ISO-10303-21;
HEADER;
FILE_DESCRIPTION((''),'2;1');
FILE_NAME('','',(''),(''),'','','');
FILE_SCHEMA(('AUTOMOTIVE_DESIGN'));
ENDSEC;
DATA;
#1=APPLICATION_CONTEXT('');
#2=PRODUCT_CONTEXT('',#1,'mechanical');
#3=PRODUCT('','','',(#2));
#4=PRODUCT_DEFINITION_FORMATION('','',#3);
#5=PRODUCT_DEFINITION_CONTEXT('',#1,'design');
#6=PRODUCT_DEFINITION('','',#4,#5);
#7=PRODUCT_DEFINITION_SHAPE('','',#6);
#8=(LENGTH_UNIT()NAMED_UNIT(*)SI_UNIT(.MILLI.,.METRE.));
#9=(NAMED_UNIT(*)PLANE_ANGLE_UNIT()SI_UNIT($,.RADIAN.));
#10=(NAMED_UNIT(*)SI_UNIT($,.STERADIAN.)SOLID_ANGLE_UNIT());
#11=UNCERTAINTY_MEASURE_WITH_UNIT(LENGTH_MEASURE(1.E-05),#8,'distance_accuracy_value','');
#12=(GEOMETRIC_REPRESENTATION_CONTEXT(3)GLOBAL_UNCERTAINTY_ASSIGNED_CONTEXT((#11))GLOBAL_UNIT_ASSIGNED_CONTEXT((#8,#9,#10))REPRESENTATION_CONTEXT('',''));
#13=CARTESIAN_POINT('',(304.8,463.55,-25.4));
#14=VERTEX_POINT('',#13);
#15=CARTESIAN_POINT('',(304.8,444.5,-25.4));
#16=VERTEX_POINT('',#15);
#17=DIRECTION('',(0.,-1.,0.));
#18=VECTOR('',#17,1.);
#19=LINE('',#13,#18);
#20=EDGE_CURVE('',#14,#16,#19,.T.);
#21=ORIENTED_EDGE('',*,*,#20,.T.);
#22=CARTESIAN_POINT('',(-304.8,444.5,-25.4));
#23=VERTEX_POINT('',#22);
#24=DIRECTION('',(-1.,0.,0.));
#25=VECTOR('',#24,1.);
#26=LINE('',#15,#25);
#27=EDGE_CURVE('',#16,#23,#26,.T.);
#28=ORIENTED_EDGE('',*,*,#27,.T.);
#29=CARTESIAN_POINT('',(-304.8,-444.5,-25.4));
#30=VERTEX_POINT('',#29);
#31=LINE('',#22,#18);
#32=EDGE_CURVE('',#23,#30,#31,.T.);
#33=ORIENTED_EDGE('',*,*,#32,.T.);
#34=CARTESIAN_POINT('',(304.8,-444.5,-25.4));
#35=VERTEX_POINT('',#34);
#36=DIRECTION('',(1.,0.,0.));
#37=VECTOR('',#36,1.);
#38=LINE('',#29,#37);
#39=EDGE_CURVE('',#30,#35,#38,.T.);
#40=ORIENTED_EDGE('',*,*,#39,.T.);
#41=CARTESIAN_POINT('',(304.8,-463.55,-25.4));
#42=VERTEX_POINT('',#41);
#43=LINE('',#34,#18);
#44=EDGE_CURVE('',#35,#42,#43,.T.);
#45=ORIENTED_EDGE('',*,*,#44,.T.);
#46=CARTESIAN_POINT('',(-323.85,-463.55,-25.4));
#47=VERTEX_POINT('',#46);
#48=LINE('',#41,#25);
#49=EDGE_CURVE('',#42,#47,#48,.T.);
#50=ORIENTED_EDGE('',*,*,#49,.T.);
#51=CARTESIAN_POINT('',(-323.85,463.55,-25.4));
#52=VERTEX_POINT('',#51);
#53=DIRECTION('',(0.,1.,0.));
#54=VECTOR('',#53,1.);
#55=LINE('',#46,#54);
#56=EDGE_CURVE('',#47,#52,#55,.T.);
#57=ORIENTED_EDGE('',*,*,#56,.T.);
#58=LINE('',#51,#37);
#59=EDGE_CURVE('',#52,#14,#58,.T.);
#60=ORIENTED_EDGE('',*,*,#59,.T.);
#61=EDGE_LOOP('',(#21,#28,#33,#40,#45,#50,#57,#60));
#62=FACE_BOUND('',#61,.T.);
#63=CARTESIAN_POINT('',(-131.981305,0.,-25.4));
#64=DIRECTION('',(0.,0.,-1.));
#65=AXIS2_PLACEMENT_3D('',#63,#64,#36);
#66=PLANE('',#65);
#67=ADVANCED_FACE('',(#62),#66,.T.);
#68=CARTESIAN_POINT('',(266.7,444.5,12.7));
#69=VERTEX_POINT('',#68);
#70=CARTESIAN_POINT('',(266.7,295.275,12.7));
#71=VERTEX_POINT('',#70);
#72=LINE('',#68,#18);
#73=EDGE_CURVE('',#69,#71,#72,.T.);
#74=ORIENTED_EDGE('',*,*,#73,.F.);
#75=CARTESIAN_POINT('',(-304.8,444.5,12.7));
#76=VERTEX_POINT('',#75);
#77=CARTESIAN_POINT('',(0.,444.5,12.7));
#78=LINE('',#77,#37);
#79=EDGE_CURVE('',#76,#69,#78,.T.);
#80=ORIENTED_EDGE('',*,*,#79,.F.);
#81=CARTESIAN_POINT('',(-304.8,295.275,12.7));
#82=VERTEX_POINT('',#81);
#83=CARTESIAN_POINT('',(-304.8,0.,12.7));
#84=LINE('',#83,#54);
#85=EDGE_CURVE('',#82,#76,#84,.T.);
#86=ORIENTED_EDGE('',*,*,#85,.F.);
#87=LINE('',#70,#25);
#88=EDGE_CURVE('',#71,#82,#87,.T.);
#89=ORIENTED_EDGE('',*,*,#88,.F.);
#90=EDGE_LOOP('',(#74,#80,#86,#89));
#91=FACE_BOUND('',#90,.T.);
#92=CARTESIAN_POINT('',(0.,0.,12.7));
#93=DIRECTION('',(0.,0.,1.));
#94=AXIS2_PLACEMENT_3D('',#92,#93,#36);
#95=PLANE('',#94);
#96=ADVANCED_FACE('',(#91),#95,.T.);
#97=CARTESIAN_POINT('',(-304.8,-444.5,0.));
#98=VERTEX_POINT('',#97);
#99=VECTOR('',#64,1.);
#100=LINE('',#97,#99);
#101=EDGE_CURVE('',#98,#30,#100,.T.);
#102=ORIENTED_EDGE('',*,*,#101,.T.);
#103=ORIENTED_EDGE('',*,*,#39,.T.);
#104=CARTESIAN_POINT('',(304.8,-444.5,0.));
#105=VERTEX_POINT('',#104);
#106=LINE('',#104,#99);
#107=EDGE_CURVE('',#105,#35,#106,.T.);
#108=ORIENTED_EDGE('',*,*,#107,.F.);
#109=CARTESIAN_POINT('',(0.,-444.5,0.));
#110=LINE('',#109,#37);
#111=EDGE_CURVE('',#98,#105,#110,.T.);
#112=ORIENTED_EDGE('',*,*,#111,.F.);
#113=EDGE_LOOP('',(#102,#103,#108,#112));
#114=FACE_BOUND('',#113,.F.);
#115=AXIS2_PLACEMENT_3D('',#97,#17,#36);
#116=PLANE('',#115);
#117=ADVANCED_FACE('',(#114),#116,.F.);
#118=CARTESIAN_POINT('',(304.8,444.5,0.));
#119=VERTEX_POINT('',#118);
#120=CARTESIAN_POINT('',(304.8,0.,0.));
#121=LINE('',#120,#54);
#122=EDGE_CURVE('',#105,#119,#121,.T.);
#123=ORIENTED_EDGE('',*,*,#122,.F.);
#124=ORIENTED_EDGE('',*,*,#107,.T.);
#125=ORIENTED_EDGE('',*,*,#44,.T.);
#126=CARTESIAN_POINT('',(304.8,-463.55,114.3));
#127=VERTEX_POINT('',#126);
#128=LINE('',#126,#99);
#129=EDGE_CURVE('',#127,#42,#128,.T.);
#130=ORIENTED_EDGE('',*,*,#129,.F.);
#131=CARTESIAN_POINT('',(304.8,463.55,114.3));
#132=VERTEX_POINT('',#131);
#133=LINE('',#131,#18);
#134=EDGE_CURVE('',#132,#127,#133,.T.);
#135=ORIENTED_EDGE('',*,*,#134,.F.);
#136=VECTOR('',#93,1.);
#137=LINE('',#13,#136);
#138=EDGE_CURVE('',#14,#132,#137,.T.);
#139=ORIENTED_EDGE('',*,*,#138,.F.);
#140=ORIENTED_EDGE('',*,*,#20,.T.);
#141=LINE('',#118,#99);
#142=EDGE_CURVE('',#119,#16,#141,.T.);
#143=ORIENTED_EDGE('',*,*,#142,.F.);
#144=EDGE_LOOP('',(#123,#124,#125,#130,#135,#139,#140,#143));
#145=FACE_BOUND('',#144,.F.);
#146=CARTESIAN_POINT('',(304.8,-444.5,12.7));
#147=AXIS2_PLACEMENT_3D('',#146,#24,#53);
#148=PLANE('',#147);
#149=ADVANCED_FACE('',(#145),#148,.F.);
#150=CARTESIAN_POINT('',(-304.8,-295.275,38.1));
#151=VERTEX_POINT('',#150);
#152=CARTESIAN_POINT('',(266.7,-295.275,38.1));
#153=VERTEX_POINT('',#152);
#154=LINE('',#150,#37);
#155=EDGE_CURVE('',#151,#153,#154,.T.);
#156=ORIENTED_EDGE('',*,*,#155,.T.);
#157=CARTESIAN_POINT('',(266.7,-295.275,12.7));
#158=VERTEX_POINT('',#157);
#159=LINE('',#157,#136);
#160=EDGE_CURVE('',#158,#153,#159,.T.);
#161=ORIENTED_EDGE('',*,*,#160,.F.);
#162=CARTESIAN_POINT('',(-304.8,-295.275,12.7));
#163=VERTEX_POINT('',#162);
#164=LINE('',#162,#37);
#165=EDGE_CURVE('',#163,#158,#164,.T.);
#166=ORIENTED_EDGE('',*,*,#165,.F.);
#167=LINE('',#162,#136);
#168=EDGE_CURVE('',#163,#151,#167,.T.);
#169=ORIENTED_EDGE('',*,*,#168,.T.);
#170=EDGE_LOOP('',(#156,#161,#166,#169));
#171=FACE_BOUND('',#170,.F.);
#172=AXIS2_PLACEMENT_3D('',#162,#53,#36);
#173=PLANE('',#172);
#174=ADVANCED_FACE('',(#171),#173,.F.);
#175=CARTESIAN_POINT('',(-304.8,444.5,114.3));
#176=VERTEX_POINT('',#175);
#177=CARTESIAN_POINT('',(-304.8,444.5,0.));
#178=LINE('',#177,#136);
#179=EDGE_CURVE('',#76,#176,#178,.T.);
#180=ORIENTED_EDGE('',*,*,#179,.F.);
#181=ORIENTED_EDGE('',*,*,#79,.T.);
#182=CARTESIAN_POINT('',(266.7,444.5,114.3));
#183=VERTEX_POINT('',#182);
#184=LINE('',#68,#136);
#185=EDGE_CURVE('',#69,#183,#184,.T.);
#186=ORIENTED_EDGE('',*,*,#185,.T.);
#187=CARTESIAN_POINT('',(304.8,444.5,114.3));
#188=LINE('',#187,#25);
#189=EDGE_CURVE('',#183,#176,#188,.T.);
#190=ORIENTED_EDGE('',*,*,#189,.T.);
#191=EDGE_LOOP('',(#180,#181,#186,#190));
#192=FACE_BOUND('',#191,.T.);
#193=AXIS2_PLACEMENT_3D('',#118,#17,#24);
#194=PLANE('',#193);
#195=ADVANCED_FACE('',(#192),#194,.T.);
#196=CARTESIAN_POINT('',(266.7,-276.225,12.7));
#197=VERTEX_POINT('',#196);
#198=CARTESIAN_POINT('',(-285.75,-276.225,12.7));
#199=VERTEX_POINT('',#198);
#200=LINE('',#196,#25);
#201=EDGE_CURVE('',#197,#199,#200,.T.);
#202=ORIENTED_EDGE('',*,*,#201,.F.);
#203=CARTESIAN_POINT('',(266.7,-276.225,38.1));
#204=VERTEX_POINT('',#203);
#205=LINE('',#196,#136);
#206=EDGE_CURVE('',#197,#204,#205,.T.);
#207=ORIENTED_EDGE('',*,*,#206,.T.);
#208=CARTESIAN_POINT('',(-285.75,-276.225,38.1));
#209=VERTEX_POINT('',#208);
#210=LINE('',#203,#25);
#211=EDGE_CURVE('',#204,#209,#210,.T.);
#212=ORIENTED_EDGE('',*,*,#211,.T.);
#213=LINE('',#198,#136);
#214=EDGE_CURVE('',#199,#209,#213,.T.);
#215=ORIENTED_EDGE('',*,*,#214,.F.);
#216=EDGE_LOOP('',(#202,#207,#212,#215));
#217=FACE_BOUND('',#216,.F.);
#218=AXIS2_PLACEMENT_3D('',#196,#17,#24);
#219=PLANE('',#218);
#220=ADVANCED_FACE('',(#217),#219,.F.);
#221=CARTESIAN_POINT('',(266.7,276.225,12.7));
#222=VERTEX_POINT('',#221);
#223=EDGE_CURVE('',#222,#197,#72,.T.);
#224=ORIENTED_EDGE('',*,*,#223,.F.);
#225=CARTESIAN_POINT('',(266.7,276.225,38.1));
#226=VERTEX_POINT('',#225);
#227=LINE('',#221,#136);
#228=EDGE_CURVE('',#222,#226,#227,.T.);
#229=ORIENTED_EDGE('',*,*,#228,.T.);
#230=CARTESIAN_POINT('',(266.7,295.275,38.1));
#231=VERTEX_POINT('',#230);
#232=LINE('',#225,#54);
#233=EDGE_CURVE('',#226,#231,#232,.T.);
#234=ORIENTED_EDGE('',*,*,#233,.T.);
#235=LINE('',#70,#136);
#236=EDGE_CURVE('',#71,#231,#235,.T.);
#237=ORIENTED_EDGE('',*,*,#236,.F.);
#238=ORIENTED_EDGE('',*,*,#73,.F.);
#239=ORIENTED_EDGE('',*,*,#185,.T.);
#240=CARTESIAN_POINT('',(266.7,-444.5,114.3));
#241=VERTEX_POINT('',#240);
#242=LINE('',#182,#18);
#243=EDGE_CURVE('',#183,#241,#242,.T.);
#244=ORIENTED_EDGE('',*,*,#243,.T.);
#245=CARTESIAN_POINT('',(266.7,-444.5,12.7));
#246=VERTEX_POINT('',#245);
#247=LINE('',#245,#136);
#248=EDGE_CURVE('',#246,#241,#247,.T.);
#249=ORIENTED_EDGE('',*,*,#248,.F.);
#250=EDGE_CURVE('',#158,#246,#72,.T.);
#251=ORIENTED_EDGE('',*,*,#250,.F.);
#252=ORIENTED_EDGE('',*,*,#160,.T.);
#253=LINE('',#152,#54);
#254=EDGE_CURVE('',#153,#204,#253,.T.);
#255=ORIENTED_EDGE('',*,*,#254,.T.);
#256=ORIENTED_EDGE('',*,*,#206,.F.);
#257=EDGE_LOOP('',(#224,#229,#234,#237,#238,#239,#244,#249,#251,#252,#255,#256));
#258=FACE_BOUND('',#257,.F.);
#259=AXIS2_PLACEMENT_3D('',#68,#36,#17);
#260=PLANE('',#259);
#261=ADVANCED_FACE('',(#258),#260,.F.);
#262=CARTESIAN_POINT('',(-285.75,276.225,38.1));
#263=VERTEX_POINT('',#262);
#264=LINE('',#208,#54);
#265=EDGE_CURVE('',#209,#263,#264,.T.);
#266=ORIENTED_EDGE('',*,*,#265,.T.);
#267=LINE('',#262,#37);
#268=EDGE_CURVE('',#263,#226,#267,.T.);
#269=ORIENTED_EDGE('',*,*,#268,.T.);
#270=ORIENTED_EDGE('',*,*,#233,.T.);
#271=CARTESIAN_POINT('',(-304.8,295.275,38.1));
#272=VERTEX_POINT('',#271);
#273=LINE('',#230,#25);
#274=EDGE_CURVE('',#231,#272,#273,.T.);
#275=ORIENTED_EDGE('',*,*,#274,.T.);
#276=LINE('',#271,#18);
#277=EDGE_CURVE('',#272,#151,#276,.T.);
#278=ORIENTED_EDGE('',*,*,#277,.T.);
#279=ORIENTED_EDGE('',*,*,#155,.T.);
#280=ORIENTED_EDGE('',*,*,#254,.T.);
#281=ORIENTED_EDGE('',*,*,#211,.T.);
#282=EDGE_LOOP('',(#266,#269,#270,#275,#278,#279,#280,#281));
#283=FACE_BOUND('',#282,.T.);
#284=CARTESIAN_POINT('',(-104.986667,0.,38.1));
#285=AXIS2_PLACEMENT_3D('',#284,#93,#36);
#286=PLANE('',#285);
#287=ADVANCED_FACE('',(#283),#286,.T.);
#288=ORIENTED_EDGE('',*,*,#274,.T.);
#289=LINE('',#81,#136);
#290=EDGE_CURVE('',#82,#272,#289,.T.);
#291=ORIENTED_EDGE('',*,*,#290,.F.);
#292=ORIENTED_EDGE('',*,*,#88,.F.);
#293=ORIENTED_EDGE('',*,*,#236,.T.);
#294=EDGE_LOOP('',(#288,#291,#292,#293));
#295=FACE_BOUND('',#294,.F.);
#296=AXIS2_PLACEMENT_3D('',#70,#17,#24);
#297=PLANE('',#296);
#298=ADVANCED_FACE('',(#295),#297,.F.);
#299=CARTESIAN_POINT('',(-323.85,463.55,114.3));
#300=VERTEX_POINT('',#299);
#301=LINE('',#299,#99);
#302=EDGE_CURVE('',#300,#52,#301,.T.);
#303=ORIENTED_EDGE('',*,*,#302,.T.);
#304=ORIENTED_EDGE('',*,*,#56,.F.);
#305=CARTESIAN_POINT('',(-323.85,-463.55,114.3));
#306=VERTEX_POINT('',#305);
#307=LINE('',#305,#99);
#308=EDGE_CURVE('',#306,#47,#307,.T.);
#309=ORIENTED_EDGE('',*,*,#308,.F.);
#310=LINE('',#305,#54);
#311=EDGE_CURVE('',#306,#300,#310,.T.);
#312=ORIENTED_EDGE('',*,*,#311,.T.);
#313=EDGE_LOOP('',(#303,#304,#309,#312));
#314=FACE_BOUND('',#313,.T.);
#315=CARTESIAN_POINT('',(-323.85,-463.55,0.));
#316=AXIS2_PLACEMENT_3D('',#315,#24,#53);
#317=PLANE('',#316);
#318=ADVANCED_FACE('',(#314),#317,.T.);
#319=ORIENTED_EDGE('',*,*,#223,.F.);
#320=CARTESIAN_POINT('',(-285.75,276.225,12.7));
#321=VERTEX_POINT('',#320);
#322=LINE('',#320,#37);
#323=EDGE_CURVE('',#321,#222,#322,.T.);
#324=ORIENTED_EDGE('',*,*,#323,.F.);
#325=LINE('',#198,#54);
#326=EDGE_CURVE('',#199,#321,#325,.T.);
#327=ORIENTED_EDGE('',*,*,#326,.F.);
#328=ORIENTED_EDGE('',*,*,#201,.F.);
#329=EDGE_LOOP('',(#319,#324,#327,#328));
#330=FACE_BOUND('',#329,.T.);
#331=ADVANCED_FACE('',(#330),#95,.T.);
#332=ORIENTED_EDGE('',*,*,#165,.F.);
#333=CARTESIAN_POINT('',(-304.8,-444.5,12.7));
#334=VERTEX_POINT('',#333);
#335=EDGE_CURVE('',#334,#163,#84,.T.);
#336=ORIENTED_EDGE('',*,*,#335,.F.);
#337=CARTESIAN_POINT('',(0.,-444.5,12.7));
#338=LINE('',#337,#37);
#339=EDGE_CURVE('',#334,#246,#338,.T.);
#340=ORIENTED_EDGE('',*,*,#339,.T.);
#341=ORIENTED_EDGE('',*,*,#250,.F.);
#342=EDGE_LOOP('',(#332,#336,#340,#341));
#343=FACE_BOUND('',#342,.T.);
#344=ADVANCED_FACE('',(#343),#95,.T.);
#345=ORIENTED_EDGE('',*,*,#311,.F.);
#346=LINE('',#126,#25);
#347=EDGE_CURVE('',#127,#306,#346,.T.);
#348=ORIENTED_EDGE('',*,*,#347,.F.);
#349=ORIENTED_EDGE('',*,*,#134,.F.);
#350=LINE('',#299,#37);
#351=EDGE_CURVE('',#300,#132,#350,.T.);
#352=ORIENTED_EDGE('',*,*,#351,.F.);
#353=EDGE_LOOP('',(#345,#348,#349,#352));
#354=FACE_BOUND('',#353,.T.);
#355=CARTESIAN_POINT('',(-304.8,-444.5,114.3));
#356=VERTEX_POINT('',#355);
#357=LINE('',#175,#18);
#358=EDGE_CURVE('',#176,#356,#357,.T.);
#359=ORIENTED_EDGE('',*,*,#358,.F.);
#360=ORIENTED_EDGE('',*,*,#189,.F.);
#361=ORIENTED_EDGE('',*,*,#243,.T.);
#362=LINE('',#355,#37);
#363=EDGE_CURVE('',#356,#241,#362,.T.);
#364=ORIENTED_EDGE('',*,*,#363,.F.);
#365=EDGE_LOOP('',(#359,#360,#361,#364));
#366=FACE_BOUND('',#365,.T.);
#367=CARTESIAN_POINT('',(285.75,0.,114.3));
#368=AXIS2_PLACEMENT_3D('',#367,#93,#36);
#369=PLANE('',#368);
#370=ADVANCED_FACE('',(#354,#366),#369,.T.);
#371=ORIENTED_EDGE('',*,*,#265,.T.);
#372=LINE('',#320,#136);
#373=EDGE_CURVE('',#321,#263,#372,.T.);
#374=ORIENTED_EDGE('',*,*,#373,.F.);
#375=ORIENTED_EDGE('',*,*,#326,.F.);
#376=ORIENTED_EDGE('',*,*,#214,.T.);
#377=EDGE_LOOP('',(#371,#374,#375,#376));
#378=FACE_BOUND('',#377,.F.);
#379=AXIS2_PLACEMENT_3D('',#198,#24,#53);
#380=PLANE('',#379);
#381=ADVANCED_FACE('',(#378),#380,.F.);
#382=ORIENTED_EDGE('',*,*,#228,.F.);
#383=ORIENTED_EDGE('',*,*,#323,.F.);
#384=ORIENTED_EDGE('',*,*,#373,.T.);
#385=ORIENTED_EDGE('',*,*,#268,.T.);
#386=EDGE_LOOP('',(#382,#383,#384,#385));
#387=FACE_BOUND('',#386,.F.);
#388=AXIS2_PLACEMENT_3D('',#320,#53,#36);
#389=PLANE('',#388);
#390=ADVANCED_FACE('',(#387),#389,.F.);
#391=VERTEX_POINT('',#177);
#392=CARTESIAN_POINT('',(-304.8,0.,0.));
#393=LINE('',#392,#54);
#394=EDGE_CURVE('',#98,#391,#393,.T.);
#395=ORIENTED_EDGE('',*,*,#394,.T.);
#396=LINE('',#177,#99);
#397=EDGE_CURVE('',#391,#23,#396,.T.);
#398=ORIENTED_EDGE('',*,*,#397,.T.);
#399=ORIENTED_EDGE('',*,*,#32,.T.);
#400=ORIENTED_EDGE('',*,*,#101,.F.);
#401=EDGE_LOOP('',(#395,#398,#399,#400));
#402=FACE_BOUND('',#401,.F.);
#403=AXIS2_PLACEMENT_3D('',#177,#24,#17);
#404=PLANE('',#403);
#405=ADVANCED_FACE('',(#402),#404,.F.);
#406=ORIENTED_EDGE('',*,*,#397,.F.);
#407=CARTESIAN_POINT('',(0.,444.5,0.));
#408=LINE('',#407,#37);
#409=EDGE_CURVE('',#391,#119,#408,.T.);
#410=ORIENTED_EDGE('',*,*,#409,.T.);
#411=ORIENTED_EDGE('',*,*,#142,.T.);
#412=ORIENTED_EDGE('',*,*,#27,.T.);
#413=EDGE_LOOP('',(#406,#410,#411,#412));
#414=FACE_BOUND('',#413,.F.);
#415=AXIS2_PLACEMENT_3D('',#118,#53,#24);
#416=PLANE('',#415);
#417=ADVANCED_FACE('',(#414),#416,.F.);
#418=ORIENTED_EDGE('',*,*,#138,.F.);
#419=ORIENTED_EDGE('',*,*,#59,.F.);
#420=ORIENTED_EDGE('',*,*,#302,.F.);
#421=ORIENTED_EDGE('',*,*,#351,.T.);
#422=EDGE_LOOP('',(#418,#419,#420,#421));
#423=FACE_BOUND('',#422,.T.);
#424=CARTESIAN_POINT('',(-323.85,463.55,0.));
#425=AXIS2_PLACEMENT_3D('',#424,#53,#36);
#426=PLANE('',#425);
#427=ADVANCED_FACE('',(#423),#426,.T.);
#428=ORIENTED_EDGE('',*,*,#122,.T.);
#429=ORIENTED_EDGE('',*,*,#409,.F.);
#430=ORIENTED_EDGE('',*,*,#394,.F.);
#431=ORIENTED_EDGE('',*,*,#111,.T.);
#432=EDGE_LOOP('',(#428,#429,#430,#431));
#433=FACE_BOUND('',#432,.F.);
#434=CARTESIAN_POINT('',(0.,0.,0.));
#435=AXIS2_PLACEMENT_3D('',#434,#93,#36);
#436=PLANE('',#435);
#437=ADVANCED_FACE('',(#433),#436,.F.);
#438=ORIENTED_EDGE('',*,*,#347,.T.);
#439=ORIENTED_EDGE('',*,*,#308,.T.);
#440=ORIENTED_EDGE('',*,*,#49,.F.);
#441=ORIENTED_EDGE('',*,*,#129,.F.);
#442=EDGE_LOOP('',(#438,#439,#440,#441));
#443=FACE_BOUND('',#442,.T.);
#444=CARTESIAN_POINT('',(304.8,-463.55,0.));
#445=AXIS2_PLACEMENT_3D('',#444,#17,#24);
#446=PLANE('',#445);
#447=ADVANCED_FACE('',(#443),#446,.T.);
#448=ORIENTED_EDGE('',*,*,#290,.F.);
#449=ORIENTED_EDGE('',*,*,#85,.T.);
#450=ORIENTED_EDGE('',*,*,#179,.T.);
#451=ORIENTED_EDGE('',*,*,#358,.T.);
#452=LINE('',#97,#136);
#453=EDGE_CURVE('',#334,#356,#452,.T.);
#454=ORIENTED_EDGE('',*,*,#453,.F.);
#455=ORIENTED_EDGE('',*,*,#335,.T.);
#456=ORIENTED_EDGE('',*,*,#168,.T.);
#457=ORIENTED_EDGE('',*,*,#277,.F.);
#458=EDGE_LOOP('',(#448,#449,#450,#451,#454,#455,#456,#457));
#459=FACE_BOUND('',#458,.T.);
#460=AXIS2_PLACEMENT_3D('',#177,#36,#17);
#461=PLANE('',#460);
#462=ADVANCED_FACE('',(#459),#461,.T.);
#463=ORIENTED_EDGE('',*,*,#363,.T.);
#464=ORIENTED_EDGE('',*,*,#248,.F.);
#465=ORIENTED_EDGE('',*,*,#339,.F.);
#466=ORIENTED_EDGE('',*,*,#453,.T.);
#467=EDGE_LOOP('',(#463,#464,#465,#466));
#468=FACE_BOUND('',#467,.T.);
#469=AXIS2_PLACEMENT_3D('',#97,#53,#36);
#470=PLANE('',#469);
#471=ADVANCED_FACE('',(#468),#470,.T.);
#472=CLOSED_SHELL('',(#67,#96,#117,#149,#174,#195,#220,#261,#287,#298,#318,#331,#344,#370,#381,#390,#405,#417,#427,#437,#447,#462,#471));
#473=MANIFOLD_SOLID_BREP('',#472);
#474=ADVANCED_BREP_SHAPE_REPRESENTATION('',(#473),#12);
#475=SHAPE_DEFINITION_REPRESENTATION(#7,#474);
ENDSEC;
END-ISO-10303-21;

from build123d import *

# Parameters (mm, degrees)
F0_W          = 609.6
F0_H          = 889
F1_DEPTH      = 12.7
F3_DEPTH      = 25.4
F5_DEPTH      = 25.4
F5_DEPTH_BACK = 114.3
F7_DEPTH      = 101.6


with BuildPart() as f1:
    # F0 (on Top) → F1 (new body)
    with BuildSketch(Plane.XY):
        Rectangle(F0_W, F0_H)
    extrude(amount=F1_DEPTH)

    # F2 (on face) → F3 (join)
    with BuildSketch(Plane.XY.offset(12.7)):
        Polygon((-285.75, -276.225), (-285.75, 276.225), (266.7, 276.225), (266.7, 295.275), (-304.8, 295.275), (-304.8, -295.275), (266.7, -295.275), (266.7, -276.225), align=None)
    extrude(amount=F3_DEPTH)

    # F4 (on face) → F5 (join, two sides)
    with BuildSketch(Plane(origin=(0, 0, 0), x_dir=(1, 0, 0), z_dir=(0, 0, -1))) as f5_sk:
        Polygon((-304.8, 444.5), (304.8, 444.5), (304.8, 463.55), (-323.85, 463.55), (-323.85, -463.55), (304.8, -463.55), (304.8, -444.5), (-304.8, -444.5), align=None)
    extrude(amount=F5_DEPTH)
    extrude(f5_sk.sketch, amount=-F5_DEPTH_BACK)

    # F6 (on face) → F7 (join, through all)
    with BuildSketch(Plane.XY.offset(12.7)):
        Polygon((304.8, -444.5), (304.8, 444.5), (266.7, 444.5), (266.7, 295.275), (266.7, 276.225), (266.7, -276.225), (266.7, -295.275), (266.7, -444.5), align=None)
    extrude(amount=F7_DEPTH)


solid = f1.part
